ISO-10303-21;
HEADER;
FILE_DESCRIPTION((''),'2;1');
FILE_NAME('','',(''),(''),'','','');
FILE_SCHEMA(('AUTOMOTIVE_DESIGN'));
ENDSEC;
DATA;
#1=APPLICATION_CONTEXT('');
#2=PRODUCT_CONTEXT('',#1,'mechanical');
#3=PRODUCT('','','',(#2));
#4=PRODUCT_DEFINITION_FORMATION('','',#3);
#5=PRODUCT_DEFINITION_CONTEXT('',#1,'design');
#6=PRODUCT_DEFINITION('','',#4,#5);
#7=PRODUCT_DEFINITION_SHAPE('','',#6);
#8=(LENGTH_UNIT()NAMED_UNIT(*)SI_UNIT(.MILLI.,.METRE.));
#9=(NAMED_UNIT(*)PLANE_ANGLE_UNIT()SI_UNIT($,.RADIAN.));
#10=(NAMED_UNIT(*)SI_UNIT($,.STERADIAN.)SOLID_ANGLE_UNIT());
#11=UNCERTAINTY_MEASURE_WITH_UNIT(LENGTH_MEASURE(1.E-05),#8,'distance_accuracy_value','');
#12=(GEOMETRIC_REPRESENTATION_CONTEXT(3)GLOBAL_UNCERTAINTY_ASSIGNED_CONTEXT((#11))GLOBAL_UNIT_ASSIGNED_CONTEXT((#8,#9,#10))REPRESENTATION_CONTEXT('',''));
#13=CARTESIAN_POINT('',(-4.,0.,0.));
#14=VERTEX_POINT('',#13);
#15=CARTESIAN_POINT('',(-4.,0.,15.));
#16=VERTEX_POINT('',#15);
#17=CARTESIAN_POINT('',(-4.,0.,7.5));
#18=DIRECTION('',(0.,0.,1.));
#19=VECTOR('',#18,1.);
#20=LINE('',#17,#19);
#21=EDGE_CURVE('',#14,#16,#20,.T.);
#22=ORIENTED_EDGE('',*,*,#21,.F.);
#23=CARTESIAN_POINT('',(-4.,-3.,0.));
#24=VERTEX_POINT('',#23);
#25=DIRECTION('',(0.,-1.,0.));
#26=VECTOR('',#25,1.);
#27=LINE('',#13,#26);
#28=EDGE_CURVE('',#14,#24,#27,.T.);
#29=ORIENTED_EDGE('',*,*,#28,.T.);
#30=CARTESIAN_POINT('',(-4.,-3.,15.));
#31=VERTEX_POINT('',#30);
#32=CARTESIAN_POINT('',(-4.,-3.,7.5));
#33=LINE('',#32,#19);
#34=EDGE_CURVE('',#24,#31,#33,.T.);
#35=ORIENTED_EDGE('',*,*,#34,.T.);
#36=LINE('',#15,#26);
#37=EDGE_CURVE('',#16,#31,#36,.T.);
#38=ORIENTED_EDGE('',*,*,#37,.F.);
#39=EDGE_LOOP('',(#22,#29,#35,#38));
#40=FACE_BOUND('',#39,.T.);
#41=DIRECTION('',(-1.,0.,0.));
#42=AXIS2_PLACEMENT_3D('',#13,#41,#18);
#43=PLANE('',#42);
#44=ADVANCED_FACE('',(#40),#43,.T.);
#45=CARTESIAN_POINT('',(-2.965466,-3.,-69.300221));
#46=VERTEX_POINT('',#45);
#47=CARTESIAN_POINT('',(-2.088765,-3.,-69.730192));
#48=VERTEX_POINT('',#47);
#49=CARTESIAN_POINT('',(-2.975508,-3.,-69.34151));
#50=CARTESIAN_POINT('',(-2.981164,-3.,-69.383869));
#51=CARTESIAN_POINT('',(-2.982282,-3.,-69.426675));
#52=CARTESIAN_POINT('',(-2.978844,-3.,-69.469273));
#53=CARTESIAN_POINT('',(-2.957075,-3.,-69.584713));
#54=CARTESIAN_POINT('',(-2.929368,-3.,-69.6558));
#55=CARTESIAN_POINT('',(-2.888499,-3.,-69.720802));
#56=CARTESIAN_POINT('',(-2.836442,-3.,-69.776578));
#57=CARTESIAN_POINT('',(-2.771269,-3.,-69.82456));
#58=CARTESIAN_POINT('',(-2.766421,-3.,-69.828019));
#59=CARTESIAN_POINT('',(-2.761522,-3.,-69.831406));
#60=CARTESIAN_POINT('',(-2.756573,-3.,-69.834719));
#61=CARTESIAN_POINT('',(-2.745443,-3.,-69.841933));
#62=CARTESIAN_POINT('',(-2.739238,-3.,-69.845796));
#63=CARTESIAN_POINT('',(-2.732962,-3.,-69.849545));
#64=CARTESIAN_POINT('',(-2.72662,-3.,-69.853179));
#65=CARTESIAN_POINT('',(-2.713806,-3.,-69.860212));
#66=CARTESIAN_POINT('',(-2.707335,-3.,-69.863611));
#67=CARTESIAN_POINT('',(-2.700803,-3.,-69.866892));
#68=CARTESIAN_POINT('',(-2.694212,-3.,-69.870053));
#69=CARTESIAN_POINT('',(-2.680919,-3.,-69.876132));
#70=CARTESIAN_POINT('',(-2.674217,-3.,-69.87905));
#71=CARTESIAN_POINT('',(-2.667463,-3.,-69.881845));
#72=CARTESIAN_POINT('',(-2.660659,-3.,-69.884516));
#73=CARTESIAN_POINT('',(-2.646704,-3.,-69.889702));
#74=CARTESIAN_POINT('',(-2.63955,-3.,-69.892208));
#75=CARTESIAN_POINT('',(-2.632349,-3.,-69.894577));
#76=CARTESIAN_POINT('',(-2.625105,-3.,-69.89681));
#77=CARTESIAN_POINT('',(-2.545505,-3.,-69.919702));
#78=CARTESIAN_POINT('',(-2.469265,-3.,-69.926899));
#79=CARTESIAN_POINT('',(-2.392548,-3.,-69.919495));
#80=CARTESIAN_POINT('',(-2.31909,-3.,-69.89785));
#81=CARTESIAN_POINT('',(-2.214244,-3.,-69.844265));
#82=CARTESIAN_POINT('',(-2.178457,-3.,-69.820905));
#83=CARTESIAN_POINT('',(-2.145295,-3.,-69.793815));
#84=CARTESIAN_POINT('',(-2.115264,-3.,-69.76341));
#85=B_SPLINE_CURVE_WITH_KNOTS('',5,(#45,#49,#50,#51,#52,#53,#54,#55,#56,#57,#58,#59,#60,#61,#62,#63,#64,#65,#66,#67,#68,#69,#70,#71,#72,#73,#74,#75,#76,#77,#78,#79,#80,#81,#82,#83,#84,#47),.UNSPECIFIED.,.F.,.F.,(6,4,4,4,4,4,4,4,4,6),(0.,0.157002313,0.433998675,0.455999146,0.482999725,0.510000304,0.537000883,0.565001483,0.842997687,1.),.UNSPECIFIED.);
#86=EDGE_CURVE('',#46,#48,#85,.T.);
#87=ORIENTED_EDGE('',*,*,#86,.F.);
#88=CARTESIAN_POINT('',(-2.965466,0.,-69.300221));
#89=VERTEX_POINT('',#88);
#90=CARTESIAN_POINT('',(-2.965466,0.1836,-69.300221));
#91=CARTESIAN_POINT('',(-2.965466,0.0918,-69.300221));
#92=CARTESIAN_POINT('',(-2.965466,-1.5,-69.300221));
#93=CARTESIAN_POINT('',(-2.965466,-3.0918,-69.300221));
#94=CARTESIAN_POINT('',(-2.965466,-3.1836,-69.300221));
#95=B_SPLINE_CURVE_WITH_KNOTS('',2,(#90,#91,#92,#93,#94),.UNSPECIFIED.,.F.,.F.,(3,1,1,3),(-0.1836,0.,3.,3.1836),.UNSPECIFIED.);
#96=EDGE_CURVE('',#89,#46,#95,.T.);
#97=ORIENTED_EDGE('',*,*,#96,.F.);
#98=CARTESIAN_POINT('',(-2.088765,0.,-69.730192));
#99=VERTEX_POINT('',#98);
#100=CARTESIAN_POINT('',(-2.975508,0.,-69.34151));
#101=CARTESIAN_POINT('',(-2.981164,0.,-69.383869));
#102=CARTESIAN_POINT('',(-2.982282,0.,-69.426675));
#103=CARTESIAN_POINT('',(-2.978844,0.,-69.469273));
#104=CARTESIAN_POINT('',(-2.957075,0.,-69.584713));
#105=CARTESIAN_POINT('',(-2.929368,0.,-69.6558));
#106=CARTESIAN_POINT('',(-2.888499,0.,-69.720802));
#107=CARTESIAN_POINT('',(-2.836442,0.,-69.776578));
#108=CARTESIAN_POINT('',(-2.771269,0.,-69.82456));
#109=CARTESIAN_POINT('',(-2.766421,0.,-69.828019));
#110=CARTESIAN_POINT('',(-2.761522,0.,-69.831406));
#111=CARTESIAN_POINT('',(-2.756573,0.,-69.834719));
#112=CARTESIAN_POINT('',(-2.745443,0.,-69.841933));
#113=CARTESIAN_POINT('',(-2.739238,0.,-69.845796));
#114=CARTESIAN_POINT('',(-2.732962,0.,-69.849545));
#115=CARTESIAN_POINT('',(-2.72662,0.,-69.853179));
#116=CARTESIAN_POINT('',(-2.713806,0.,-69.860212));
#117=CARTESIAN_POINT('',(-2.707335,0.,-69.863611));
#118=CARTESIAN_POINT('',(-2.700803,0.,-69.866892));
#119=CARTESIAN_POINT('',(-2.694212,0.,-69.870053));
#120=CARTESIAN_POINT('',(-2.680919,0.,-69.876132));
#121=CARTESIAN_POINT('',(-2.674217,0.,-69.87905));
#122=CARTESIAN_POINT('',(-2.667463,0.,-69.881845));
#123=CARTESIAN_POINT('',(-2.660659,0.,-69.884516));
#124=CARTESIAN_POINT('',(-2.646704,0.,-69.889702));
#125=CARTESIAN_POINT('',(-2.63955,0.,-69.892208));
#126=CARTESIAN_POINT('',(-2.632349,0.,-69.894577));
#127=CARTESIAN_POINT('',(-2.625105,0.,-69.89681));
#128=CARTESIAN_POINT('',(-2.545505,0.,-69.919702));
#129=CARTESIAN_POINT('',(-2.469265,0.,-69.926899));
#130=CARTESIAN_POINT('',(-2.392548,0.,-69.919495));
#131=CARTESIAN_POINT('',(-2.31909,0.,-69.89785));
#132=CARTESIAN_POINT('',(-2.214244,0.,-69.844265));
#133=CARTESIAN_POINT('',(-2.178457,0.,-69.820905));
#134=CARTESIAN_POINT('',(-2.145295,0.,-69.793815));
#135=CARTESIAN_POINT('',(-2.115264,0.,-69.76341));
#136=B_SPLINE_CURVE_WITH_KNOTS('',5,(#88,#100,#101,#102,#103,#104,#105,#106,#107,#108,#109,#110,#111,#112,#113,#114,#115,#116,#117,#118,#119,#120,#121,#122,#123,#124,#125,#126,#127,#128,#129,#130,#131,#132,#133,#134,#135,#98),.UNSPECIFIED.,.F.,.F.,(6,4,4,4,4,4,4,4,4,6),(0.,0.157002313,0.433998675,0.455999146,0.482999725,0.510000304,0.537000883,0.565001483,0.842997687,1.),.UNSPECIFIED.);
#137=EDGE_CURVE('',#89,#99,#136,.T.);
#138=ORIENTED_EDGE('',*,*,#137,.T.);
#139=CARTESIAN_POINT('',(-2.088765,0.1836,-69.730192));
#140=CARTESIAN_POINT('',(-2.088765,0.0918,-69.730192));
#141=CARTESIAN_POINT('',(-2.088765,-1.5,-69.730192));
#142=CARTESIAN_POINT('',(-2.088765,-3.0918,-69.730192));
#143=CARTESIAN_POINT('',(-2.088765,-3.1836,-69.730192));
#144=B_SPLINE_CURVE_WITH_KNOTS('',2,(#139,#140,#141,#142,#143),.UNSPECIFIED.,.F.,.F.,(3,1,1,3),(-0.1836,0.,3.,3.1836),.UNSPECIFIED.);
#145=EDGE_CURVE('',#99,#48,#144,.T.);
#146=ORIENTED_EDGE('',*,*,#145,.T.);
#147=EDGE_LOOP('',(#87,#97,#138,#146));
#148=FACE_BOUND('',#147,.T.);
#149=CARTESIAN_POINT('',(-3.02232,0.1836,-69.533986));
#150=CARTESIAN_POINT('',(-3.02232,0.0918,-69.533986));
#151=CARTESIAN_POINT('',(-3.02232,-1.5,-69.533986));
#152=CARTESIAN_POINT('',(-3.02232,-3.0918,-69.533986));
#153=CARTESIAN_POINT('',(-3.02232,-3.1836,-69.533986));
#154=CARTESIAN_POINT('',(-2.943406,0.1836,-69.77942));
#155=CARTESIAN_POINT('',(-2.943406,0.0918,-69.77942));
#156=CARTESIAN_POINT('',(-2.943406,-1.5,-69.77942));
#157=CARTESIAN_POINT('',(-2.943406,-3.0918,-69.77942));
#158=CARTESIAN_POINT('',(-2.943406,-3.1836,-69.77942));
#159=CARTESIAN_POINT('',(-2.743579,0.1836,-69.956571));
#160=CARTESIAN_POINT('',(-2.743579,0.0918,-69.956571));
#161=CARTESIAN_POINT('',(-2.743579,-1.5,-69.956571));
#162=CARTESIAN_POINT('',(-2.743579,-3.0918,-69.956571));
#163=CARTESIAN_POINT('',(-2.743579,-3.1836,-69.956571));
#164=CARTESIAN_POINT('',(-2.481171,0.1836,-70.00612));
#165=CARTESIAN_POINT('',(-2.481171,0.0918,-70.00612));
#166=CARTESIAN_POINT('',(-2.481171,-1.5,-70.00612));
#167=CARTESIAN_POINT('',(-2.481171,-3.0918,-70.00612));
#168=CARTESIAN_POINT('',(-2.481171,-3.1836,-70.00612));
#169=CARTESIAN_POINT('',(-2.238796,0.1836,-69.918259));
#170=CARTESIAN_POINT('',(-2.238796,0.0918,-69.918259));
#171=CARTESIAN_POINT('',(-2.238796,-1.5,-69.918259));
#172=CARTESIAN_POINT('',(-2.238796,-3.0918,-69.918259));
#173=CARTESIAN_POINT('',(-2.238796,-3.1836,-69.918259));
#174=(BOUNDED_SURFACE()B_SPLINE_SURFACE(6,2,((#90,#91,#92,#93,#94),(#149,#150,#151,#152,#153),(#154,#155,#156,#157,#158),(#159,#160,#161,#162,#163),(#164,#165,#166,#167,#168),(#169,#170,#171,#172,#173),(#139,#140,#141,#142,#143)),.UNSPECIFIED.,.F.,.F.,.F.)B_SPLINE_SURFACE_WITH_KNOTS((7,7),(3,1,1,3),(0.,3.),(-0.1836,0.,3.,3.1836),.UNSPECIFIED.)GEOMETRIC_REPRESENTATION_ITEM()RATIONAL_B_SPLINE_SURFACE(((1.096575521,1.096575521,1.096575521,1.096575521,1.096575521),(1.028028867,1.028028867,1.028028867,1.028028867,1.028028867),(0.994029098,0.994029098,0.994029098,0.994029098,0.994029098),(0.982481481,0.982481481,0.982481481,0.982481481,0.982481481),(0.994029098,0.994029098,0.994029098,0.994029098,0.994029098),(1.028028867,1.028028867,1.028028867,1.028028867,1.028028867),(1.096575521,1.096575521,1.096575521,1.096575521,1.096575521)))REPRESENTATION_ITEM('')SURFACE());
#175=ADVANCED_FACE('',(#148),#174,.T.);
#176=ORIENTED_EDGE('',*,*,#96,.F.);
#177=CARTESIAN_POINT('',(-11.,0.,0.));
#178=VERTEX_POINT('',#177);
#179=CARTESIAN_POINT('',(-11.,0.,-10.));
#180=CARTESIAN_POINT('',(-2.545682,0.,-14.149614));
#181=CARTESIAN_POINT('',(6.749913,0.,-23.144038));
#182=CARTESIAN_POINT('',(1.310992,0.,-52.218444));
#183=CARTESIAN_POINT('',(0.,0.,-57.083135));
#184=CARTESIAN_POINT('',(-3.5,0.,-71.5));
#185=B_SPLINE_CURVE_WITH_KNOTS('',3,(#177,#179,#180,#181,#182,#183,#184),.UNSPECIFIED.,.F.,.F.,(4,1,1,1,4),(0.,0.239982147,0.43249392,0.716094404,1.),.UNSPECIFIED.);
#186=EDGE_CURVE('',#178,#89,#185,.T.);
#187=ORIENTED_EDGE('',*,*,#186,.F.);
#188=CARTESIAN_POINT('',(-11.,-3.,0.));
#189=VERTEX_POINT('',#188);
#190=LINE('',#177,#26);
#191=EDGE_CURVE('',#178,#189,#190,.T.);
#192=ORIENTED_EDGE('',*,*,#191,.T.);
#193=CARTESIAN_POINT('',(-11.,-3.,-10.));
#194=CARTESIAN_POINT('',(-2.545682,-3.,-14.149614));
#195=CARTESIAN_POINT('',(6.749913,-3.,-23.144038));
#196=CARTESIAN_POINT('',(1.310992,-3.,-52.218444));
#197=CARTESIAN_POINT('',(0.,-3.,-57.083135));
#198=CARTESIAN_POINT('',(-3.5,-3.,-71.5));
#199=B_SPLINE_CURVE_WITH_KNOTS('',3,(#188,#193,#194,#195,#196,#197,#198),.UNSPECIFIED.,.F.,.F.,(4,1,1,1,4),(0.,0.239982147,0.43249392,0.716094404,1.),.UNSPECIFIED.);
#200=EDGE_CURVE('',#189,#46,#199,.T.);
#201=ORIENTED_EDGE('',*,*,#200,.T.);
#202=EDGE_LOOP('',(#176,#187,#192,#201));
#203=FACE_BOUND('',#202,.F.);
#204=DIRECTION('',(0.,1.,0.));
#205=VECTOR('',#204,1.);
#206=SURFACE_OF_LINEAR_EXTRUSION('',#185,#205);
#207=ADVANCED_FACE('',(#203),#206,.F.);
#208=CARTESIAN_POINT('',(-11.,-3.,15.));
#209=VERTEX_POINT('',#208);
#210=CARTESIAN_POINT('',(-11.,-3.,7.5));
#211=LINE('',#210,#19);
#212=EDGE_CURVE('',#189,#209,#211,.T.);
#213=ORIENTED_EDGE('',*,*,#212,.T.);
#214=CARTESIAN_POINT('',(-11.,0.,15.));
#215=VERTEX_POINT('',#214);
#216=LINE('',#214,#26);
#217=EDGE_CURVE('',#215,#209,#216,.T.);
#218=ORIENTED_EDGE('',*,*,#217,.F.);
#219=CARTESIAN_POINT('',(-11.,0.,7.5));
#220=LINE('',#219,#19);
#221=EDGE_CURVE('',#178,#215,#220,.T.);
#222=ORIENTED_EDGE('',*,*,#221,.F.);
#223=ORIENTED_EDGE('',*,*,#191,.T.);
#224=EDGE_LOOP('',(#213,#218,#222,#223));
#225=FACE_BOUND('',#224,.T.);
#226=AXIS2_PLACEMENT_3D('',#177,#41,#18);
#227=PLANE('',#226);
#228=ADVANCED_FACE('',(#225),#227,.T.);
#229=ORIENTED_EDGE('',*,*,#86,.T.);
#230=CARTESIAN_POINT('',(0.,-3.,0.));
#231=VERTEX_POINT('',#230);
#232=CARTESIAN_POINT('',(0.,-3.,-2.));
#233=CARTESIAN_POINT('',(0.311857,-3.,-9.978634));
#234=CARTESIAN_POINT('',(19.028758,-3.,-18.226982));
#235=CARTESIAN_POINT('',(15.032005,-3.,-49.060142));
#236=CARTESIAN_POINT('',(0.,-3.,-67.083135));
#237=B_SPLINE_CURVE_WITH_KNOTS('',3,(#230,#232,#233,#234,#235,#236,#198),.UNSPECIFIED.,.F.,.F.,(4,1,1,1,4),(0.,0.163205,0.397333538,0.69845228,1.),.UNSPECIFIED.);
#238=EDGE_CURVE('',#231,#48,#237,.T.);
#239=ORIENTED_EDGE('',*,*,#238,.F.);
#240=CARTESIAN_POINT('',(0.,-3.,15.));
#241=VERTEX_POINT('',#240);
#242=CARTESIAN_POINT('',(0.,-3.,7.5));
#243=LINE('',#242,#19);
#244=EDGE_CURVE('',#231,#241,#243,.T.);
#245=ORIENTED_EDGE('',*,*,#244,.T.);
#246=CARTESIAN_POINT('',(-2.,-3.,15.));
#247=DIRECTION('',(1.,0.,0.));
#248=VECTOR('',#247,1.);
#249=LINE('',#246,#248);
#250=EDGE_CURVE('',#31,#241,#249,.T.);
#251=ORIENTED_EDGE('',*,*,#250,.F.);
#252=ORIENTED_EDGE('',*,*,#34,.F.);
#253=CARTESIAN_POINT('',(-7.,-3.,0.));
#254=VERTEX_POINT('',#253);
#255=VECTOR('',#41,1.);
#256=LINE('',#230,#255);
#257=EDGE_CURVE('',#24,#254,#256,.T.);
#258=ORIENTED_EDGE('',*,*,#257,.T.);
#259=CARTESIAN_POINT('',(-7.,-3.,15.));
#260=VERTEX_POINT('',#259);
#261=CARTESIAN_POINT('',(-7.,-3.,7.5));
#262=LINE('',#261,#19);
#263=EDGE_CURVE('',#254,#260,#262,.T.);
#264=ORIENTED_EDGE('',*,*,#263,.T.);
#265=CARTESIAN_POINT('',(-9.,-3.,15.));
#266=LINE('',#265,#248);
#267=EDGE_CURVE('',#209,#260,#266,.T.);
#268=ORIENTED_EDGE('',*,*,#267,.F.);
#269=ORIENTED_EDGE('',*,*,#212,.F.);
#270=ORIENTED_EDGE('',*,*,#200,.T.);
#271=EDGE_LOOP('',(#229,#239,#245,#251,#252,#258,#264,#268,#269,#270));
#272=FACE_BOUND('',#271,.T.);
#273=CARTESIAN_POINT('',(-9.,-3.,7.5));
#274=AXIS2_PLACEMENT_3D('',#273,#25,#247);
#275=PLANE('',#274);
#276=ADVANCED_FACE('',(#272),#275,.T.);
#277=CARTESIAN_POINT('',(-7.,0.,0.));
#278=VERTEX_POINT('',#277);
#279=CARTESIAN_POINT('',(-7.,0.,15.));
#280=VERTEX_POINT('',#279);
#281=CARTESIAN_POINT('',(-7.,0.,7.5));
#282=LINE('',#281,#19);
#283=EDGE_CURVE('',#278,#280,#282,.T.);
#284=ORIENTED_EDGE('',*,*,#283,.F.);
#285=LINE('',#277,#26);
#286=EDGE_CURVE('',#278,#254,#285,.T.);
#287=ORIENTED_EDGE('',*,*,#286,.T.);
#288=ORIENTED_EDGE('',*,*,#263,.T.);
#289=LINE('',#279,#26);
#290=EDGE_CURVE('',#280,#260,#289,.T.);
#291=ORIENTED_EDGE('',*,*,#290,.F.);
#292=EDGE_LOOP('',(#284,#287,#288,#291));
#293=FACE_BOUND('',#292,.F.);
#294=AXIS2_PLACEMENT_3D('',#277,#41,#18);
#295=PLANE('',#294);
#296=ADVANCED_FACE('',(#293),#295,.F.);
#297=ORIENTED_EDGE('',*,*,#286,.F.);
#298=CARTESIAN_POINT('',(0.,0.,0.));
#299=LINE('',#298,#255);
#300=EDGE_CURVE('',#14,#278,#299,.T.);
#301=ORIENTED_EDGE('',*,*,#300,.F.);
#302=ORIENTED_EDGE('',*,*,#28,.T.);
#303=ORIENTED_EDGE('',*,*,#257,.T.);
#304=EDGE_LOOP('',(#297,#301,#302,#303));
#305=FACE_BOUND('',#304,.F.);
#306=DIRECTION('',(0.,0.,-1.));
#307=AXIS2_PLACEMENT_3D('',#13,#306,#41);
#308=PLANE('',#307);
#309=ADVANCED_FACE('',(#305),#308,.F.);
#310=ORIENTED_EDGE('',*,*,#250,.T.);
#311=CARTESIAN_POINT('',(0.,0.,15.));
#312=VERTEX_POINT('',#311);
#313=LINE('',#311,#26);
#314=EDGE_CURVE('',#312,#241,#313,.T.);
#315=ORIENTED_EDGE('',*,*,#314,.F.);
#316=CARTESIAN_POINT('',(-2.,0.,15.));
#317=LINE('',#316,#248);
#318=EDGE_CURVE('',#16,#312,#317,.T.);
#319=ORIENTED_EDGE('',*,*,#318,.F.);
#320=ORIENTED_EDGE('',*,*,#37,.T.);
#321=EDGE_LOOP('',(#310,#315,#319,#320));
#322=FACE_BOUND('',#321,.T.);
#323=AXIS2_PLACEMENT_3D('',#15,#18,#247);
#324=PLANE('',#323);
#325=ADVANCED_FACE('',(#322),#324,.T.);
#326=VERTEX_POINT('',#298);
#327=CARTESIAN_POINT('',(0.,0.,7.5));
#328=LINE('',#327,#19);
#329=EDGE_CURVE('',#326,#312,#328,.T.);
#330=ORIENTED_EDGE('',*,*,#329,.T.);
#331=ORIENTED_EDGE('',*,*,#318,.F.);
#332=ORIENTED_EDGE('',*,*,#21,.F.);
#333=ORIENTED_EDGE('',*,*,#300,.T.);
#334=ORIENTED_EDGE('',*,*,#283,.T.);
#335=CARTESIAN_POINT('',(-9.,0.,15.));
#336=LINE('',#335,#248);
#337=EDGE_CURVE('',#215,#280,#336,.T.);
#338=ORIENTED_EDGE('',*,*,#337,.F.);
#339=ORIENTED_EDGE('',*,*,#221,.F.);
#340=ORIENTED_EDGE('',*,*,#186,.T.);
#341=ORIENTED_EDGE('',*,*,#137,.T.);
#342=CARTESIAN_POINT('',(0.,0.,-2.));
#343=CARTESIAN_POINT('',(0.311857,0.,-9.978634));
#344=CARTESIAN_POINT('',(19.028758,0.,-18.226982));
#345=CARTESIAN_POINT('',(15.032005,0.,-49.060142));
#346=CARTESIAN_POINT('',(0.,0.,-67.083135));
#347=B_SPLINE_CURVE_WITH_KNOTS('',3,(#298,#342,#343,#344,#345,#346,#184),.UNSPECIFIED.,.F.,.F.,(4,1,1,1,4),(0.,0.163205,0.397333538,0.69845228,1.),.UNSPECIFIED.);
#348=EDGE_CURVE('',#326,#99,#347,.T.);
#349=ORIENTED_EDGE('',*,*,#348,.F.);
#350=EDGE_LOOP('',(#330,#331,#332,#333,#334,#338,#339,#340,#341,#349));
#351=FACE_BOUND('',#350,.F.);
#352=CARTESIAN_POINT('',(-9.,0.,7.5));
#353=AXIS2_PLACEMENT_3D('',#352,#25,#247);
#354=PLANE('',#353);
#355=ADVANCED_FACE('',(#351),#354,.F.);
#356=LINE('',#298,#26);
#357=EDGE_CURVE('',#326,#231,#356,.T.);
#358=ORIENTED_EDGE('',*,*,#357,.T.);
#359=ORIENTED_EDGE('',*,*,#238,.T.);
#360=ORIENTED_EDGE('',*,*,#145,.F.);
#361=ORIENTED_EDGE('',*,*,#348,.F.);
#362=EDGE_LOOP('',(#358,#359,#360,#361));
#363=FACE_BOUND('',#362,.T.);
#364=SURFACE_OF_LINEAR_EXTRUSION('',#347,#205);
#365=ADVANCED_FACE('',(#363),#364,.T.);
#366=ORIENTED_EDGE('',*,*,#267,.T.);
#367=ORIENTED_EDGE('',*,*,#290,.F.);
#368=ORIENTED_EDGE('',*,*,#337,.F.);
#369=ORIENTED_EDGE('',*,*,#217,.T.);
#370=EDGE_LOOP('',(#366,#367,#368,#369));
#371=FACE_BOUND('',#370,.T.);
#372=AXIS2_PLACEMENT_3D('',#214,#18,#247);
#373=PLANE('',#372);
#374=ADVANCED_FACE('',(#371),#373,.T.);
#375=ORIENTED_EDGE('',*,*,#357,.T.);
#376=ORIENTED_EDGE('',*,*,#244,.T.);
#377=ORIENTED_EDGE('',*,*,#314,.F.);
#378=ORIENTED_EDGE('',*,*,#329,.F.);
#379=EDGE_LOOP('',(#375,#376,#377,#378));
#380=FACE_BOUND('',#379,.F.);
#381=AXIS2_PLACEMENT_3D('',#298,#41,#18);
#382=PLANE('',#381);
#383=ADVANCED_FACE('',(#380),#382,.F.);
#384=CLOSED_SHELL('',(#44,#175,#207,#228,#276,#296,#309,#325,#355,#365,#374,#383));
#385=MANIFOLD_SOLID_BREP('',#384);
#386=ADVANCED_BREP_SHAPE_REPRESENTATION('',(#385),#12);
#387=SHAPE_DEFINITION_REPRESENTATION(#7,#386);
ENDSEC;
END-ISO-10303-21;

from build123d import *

# Parameters (mm, degrees)
F0_W     = 4
F0_H     = 15
F1_DEPTH = 3
F2_R     = 0.5


with BuildPart() as f1:
    # F0 (on Front) → F1 (new body)
    with BuildSketch(Plane.XZ):
        with Locations((-9, 7.5)):
            Rectangle(F0_W, F0_H)
        with BuildLine():
            add(Edge.make_bspline(
                [(0, 0), (0, -2), (0.3118573184, -9.9786341961), (19.0287578525, -18.2269819864), (15.032005126, -49.0601420072), (0, -67.0831354716), (-3.5, -71.5)],
                knots=[0, 0, 0, 0, 0.1632050001, 0.3973335384, 0.6984522797, 1, 1, 1, 1], degree=3))
            Line((0, 0), (-4, 0))
            Line((-4, 0), (-7, 0))
            Line((-7, 0), (-11, 0))
            add(Edge.make_bspline(
                [(-11, 0), (-11, -10), (-2.5456818177, -14.1496144068), (6.7499129169, -23.144037682), (1.3109915507, -52.2184440443), (0, -57.0831354716), (-3.5, -71.5)],
                knots=[0, 0, 0, 0, 0.2399821467, 0.4324939201, 0.7160944044, 1, 1, 1, 1], degree=3))
        make_face()
        with Locations((-2, 7.5)):
            Rectangle(F0_W, F0_H)
    extrude(amount=F1_DEPTH)

    # F2
    f2_edges = [f1.edges().sort_by_distance(p)[0] for p in [
        (-3.5, -1.5, -71.5),
    ]]
    fillet(f2_edges, radius=F2_R)


solid = f1.part
